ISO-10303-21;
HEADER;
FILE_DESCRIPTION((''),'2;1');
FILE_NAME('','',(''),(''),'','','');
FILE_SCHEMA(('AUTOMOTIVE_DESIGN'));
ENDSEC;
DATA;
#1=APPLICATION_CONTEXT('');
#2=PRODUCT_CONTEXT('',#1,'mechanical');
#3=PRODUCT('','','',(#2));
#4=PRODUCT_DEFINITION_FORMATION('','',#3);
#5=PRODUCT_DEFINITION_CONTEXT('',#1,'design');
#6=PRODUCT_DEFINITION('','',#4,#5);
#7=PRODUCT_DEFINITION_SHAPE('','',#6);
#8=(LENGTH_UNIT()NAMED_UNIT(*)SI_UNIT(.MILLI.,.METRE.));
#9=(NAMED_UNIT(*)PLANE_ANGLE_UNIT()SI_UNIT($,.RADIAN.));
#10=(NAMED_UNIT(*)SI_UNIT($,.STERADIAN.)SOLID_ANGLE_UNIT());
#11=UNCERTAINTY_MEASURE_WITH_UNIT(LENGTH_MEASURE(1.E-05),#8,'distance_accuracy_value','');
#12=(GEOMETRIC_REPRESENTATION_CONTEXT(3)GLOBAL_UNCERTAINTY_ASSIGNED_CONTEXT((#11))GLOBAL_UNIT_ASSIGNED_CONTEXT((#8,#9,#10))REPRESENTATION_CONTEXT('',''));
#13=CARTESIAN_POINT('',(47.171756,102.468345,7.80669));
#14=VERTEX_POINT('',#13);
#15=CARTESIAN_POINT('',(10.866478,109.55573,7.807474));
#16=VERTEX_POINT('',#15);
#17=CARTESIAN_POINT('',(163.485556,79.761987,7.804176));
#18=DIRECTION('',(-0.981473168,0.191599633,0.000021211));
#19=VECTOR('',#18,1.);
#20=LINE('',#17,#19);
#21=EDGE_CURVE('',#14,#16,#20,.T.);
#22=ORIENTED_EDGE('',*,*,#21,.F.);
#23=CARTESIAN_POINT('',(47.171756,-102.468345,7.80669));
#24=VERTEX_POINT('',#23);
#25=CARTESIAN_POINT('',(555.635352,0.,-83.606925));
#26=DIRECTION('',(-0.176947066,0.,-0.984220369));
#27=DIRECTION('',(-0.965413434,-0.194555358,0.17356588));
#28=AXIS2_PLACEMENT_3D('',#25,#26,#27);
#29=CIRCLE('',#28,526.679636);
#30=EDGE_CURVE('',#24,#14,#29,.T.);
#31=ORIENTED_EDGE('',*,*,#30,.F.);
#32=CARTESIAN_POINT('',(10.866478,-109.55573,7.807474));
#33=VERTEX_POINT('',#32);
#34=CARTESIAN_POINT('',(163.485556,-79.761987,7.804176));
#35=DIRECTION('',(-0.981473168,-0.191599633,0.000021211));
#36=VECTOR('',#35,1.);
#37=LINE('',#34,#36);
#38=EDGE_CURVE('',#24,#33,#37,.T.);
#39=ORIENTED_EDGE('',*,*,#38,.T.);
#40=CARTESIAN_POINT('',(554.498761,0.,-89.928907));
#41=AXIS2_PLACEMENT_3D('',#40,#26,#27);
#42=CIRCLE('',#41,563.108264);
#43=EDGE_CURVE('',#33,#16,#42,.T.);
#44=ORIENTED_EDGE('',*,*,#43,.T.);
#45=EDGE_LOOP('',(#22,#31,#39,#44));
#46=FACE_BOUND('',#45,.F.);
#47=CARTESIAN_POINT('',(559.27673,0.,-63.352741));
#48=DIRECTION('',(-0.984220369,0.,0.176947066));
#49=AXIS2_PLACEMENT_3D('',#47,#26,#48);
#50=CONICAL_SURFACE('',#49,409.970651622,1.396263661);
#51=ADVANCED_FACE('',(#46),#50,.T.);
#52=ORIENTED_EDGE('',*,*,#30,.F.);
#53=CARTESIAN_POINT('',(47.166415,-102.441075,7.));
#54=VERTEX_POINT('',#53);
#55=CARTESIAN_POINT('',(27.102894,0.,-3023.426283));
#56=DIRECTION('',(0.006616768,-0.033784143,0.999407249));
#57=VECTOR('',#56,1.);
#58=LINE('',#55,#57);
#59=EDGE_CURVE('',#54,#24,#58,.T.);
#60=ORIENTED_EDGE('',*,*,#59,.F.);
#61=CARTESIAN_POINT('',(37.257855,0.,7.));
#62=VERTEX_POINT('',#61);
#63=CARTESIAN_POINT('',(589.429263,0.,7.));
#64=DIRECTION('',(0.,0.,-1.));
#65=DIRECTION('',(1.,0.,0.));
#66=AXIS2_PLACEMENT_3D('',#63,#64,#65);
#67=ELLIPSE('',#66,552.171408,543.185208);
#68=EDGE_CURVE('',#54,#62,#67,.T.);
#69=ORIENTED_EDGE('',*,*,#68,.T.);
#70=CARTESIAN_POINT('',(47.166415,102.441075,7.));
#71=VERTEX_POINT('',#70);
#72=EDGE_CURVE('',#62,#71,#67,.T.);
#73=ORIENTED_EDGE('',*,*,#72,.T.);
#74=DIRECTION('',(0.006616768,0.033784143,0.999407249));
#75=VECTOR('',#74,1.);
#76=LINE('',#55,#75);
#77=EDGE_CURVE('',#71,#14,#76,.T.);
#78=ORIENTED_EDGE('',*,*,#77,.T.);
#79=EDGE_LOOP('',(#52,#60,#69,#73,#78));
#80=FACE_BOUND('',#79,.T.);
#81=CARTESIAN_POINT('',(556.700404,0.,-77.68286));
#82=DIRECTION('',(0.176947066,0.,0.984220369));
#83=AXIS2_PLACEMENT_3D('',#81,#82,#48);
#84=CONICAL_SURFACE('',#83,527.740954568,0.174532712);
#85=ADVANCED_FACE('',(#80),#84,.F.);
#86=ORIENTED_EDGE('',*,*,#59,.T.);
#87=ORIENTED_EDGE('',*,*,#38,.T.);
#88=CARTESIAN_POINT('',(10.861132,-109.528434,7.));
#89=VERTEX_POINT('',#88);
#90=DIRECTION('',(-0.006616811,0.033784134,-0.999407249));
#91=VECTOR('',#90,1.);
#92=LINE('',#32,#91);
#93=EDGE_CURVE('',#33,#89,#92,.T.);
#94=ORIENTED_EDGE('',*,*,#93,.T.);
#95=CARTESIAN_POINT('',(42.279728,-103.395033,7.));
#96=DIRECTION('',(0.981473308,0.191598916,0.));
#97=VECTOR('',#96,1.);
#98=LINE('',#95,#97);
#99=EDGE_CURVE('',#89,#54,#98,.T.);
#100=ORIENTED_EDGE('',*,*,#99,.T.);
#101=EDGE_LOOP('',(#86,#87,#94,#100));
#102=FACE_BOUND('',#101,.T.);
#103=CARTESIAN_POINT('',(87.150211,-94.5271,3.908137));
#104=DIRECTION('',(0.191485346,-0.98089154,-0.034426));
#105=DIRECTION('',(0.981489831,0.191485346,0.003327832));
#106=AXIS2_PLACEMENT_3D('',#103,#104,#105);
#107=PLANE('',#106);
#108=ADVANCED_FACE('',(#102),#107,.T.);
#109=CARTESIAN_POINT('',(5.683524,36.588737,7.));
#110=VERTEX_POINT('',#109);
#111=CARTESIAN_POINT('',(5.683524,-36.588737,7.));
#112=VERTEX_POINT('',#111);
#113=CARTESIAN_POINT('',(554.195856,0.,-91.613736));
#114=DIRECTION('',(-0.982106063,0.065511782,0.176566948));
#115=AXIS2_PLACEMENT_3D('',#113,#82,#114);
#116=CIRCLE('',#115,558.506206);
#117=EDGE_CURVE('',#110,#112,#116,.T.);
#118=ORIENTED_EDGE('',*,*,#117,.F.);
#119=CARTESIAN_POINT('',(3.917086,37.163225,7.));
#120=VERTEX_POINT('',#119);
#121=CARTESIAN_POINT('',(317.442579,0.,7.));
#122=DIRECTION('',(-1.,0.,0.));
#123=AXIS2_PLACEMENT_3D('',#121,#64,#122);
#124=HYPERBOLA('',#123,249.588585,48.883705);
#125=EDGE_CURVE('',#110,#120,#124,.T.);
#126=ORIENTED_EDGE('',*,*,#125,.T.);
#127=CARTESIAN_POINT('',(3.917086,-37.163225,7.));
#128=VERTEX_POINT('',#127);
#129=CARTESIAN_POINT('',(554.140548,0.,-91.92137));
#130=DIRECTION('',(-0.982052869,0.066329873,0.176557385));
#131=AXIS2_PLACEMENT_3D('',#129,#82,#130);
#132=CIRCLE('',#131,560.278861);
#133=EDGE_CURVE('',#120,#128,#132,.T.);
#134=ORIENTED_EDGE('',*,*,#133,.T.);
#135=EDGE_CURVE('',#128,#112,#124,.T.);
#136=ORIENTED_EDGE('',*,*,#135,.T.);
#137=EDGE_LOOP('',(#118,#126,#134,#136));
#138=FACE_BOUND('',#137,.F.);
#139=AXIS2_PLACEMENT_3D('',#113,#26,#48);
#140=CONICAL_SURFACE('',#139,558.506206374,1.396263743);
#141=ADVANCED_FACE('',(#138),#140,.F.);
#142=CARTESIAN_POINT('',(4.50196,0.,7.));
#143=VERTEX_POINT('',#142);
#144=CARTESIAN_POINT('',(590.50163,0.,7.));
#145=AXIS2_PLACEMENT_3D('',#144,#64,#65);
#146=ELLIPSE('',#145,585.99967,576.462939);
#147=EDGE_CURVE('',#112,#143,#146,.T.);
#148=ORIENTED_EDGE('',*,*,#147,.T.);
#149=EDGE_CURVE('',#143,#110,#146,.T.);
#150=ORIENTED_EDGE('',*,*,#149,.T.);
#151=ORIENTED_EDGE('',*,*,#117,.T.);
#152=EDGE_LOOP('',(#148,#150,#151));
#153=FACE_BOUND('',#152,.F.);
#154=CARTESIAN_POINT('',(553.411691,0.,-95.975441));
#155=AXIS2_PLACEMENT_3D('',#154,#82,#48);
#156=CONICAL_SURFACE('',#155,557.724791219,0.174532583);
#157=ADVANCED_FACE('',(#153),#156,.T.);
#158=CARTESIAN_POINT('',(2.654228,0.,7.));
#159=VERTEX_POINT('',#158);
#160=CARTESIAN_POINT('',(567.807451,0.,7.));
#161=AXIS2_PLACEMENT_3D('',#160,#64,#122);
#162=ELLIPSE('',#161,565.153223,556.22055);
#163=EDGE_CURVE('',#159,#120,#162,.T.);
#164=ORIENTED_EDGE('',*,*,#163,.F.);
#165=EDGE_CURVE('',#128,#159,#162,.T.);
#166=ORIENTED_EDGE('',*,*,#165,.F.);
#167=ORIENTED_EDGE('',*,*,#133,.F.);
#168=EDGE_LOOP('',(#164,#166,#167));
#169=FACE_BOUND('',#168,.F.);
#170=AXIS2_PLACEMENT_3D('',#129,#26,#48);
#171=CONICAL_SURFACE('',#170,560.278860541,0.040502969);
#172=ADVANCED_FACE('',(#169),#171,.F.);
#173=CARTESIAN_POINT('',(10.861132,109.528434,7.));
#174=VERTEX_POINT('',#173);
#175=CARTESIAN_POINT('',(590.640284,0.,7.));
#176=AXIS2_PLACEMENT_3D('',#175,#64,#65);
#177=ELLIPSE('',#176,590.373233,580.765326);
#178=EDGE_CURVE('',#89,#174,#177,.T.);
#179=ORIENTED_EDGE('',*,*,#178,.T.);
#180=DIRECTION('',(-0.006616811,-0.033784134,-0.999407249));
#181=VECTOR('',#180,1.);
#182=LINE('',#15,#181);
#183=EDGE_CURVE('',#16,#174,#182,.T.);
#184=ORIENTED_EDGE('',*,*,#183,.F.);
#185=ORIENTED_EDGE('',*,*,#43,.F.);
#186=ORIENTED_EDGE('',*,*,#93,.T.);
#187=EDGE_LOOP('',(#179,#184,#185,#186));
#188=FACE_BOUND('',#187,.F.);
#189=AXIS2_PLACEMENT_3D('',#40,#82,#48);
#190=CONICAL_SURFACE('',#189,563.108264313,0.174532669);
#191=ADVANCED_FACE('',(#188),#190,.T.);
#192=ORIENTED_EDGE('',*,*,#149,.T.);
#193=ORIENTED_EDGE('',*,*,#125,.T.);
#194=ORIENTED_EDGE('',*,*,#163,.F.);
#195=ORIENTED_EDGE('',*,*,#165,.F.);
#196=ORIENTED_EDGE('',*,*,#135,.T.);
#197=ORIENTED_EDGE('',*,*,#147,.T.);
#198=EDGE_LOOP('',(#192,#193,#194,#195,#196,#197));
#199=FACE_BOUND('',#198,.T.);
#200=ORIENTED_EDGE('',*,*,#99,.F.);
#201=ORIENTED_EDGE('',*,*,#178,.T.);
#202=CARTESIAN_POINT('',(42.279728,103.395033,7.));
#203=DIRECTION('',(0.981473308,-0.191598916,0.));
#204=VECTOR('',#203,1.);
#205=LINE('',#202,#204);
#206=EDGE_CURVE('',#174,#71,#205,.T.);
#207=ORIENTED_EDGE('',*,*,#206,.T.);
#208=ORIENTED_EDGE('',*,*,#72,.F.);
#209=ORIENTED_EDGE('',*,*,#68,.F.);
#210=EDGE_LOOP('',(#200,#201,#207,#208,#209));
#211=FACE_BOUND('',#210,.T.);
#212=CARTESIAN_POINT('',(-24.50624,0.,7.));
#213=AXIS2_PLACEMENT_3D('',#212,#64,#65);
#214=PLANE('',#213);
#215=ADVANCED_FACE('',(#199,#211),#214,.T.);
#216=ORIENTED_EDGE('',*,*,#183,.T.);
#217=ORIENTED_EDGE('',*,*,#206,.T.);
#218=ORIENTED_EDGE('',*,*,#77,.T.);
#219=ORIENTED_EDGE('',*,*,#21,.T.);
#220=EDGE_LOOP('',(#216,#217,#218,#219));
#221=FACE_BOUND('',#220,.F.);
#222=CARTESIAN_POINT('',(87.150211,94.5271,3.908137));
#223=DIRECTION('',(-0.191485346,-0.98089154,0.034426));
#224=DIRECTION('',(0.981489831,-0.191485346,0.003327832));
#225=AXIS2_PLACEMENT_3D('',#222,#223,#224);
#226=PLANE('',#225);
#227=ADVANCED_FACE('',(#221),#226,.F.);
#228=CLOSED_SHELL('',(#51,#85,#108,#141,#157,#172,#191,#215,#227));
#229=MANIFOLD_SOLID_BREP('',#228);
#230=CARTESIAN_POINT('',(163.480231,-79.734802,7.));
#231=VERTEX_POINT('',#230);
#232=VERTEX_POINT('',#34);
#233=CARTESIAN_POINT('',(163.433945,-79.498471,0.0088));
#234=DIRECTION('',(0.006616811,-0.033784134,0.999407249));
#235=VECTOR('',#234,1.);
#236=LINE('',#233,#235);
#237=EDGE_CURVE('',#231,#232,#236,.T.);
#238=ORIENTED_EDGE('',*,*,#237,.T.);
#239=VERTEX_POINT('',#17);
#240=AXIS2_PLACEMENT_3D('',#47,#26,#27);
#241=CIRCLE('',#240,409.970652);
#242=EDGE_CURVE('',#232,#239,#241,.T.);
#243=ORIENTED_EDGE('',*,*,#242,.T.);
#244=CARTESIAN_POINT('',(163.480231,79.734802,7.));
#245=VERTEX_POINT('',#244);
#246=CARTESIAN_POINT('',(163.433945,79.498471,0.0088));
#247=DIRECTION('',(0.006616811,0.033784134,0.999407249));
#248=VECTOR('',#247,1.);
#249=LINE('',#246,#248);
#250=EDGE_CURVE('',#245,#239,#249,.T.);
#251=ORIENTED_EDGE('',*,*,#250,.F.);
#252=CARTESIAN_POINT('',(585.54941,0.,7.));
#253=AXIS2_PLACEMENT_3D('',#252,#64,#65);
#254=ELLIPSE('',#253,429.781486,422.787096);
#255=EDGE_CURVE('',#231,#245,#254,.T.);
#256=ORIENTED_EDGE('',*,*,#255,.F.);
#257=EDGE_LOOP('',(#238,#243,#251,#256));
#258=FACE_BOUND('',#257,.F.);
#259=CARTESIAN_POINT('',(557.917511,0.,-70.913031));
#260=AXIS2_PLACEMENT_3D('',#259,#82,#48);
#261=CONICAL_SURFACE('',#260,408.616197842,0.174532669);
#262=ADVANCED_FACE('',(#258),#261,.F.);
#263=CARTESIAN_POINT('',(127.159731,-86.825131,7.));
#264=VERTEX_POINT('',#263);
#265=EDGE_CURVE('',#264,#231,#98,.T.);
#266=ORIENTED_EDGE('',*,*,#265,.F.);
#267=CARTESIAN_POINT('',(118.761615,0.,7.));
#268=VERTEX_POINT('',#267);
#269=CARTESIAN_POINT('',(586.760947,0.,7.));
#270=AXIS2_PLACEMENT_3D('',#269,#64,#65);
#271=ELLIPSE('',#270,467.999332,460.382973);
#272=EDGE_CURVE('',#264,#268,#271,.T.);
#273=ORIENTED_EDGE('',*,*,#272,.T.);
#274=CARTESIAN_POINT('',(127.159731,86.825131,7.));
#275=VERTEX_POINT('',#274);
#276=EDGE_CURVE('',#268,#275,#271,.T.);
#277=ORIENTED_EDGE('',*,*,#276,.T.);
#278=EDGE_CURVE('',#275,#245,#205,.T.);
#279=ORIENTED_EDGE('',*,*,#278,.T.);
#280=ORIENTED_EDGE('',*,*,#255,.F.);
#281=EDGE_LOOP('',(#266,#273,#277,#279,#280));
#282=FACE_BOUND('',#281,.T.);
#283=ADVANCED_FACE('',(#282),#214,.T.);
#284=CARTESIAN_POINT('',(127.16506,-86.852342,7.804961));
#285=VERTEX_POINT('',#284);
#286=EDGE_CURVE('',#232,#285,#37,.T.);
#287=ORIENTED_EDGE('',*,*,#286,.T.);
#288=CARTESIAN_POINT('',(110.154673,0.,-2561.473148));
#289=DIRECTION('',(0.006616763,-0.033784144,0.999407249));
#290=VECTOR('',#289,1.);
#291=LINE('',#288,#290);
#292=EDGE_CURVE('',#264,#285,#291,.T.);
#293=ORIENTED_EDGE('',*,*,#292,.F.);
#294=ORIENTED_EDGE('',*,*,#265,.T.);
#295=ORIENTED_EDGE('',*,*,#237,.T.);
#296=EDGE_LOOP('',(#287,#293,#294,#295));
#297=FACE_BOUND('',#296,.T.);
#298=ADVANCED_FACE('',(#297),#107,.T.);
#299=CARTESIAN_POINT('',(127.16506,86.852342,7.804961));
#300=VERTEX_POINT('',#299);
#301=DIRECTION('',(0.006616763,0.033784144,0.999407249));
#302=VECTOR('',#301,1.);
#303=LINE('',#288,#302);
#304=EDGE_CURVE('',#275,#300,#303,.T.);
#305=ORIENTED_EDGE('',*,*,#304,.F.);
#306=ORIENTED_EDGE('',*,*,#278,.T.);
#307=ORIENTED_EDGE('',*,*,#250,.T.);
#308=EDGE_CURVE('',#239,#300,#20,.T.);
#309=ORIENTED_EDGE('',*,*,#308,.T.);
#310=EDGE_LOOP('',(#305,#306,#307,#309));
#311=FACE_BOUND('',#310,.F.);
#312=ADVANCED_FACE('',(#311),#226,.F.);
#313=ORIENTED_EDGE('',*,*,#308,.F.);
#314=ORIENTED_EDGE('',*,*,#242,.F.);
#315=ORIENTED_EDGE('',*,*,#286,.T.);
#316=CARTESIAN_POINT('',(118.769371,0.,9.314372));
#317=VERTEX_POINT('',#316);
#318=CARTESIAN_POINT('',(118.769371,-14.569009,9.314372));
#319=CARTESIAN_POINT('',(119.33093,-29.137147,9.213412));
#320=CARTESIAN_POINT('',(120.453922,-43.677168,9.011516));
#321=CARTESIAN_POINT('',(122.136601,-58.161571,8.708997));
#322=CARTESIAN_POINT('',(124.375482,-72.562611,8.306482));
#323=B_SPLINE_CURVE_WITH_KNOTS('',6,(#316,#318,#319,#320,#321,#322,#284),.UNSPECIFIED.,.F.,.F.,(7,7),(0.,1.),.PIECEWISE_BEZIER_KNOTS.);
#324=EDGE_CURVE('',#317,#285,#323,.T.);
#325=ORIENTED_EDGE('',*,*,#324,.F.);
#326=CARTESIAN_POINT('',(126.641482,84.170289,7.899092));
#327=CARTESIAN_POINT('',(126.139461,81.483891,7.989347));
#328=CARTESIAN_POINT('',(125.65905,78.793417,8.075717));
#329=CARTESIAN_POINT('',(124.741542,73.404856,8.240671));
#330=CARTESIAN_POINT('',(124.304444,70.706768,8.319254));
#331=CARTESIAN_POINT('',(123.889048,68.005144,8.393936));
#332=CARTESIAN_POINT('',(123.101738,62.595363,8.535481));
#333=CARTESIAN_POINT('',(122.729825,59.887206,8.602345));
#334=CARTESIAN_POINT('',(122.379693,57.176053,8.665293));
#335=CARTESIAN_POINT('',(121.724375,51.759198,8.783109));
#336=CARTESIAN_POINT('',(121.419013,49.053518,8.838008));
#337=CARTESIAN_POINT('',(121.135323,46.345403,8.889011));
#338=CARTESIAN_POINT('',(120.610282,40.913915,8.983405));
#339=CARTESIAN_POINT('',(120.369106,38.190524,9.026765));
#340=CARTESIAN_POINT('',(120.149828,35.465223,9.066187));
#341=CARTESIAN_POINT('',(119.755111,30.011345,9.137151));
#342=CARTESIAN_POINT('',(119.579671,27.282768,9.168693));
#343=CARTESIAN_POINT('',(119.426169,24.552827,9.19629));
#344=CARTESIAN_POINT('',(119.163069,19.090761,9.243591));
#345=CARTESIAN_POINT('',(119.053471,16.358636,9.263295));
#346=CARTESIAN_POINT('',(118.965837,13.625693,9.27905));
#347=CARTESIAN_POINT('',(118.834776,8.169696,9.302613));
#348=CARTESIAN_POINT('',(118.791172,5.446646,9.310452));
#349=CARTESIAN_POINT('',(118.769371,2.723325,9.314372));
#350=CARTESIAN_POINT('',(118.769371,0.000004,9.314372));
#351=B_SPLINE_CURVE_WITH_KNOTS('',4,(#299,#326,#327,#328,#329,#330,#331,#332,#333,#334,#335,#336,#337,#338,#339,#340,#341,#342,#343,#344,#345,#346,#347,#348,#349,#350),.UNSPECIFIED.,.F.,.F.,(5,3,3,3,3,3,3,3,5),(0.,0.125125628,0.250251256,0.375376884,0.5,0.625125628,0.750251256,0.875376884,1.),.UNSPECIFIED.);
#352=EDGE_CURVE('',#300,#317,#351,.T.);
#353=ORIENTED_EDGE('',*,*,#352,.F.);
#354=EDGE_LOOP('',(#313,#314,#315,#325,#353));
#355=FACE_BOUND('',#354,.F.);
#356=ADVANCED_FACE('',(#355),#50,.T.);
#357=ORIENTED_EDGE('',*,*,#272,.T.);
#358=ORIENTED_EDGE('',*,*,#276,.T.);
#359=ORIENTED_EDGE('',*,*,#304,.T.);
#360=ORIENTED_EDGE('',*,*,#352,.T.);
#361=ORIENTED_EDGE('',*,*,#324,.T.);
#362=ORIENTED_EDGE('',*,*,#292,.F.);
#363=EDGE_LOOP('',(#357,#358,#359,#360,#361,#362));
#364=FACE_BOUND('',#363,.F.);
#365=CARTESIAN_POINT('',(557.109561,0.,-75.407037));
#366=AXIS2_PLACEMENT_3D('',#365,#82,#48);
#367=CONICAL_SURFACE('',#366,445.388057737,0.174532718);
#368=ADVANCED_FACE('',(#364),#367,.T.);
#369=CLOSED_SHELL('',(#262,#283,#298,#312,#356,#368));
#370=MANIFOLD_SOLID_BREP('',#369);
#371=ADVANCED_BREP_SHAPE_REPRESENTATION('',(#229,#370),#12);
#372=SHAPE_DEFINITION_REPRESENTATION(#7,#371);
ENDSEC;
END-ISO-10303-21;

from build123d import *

# Parameters (mm, degrees)
F1_ANGLE = 22.4375
F2_W     = 211.533882
F2_H     = 21.666825
F3_DEPTH = 136.2
F5_ANGLE = 30


with BuildPart() as f1:
    # F0 (on Front) → F1 (revolve, symmetric)
    with BuildSketch(Plane.XZ) as f1_sk:
        Polygon((0.276137, 9.711448), (0.249999, 1.911491), (155.749126, 1.390407), (155.775264, 9.190363), align=None)
    revolve(axis=Axis((561.899187, 0, -48.766032), (-0.176947, 0, -0.98422)), revolution_arc=F1_ANGLE / 2)
    revolve(f1_sk.sketch, axis=Axis((561.899187, 0, -48.766032), (0.176947, 0, 0.98422)), revolution_arc=F1_ANGLE / 2)

    # F2 (on Front) → F3 (cut, symmetric)
    with BuildSketch(Plane.XZ):
        with Locations((81.260701, -3.833412)):
            Rectangle(F2_W, F2_H)
    extrude(amount=F3_DEPTH, both=True, mode=Mode.SUBTRACT)

    # F4 (on Front) → F5 (revolve, symmetric, cut)
    with BuildSketch(Plane.XZ) as f5_sk:
        Polygon((2.702681, 7.218331), (1.702681, 2.712325), (4.487591, 2.712325), (4.502671, 7.212299), align=None)
        Polygon((151.487591, 2.189562), (154.302681, 2.189562), (153.302681, 6.689562), (151.502691, 6.695594), align=None)
        Polygon((40.792948, 17.466315), (37.287007, 15.699354), (37.25, 4.655788), (40.75002, 4.655788), align=None)
        Polygon((118.805241, 20.018731), (115.304604, 19.83427), (115.25002, 3.545632), (118.749562, 3.403073), align=None)
        Polygon((115.304604, 19.83427), (40.792948, 17.466315), (40.75002, 4.655788), (115.25002, 3.545632), align=None)
    revolve(axis=Axis((561.899187, 0, -48.766032), (-0.176947, 0, -0.98422)), revolution_arc=F5_ANGLE / 2, mode=Mode.SUBTRACT)
    revolve(f5_sk.sketch, axis=Axis((561.899187, 0, -48.766032), (0.176947, 0, 0.98422)), revolution_arc=F5_ANGLE / 2, mode=Mode.SUBTRACT)


solid = f1.part
